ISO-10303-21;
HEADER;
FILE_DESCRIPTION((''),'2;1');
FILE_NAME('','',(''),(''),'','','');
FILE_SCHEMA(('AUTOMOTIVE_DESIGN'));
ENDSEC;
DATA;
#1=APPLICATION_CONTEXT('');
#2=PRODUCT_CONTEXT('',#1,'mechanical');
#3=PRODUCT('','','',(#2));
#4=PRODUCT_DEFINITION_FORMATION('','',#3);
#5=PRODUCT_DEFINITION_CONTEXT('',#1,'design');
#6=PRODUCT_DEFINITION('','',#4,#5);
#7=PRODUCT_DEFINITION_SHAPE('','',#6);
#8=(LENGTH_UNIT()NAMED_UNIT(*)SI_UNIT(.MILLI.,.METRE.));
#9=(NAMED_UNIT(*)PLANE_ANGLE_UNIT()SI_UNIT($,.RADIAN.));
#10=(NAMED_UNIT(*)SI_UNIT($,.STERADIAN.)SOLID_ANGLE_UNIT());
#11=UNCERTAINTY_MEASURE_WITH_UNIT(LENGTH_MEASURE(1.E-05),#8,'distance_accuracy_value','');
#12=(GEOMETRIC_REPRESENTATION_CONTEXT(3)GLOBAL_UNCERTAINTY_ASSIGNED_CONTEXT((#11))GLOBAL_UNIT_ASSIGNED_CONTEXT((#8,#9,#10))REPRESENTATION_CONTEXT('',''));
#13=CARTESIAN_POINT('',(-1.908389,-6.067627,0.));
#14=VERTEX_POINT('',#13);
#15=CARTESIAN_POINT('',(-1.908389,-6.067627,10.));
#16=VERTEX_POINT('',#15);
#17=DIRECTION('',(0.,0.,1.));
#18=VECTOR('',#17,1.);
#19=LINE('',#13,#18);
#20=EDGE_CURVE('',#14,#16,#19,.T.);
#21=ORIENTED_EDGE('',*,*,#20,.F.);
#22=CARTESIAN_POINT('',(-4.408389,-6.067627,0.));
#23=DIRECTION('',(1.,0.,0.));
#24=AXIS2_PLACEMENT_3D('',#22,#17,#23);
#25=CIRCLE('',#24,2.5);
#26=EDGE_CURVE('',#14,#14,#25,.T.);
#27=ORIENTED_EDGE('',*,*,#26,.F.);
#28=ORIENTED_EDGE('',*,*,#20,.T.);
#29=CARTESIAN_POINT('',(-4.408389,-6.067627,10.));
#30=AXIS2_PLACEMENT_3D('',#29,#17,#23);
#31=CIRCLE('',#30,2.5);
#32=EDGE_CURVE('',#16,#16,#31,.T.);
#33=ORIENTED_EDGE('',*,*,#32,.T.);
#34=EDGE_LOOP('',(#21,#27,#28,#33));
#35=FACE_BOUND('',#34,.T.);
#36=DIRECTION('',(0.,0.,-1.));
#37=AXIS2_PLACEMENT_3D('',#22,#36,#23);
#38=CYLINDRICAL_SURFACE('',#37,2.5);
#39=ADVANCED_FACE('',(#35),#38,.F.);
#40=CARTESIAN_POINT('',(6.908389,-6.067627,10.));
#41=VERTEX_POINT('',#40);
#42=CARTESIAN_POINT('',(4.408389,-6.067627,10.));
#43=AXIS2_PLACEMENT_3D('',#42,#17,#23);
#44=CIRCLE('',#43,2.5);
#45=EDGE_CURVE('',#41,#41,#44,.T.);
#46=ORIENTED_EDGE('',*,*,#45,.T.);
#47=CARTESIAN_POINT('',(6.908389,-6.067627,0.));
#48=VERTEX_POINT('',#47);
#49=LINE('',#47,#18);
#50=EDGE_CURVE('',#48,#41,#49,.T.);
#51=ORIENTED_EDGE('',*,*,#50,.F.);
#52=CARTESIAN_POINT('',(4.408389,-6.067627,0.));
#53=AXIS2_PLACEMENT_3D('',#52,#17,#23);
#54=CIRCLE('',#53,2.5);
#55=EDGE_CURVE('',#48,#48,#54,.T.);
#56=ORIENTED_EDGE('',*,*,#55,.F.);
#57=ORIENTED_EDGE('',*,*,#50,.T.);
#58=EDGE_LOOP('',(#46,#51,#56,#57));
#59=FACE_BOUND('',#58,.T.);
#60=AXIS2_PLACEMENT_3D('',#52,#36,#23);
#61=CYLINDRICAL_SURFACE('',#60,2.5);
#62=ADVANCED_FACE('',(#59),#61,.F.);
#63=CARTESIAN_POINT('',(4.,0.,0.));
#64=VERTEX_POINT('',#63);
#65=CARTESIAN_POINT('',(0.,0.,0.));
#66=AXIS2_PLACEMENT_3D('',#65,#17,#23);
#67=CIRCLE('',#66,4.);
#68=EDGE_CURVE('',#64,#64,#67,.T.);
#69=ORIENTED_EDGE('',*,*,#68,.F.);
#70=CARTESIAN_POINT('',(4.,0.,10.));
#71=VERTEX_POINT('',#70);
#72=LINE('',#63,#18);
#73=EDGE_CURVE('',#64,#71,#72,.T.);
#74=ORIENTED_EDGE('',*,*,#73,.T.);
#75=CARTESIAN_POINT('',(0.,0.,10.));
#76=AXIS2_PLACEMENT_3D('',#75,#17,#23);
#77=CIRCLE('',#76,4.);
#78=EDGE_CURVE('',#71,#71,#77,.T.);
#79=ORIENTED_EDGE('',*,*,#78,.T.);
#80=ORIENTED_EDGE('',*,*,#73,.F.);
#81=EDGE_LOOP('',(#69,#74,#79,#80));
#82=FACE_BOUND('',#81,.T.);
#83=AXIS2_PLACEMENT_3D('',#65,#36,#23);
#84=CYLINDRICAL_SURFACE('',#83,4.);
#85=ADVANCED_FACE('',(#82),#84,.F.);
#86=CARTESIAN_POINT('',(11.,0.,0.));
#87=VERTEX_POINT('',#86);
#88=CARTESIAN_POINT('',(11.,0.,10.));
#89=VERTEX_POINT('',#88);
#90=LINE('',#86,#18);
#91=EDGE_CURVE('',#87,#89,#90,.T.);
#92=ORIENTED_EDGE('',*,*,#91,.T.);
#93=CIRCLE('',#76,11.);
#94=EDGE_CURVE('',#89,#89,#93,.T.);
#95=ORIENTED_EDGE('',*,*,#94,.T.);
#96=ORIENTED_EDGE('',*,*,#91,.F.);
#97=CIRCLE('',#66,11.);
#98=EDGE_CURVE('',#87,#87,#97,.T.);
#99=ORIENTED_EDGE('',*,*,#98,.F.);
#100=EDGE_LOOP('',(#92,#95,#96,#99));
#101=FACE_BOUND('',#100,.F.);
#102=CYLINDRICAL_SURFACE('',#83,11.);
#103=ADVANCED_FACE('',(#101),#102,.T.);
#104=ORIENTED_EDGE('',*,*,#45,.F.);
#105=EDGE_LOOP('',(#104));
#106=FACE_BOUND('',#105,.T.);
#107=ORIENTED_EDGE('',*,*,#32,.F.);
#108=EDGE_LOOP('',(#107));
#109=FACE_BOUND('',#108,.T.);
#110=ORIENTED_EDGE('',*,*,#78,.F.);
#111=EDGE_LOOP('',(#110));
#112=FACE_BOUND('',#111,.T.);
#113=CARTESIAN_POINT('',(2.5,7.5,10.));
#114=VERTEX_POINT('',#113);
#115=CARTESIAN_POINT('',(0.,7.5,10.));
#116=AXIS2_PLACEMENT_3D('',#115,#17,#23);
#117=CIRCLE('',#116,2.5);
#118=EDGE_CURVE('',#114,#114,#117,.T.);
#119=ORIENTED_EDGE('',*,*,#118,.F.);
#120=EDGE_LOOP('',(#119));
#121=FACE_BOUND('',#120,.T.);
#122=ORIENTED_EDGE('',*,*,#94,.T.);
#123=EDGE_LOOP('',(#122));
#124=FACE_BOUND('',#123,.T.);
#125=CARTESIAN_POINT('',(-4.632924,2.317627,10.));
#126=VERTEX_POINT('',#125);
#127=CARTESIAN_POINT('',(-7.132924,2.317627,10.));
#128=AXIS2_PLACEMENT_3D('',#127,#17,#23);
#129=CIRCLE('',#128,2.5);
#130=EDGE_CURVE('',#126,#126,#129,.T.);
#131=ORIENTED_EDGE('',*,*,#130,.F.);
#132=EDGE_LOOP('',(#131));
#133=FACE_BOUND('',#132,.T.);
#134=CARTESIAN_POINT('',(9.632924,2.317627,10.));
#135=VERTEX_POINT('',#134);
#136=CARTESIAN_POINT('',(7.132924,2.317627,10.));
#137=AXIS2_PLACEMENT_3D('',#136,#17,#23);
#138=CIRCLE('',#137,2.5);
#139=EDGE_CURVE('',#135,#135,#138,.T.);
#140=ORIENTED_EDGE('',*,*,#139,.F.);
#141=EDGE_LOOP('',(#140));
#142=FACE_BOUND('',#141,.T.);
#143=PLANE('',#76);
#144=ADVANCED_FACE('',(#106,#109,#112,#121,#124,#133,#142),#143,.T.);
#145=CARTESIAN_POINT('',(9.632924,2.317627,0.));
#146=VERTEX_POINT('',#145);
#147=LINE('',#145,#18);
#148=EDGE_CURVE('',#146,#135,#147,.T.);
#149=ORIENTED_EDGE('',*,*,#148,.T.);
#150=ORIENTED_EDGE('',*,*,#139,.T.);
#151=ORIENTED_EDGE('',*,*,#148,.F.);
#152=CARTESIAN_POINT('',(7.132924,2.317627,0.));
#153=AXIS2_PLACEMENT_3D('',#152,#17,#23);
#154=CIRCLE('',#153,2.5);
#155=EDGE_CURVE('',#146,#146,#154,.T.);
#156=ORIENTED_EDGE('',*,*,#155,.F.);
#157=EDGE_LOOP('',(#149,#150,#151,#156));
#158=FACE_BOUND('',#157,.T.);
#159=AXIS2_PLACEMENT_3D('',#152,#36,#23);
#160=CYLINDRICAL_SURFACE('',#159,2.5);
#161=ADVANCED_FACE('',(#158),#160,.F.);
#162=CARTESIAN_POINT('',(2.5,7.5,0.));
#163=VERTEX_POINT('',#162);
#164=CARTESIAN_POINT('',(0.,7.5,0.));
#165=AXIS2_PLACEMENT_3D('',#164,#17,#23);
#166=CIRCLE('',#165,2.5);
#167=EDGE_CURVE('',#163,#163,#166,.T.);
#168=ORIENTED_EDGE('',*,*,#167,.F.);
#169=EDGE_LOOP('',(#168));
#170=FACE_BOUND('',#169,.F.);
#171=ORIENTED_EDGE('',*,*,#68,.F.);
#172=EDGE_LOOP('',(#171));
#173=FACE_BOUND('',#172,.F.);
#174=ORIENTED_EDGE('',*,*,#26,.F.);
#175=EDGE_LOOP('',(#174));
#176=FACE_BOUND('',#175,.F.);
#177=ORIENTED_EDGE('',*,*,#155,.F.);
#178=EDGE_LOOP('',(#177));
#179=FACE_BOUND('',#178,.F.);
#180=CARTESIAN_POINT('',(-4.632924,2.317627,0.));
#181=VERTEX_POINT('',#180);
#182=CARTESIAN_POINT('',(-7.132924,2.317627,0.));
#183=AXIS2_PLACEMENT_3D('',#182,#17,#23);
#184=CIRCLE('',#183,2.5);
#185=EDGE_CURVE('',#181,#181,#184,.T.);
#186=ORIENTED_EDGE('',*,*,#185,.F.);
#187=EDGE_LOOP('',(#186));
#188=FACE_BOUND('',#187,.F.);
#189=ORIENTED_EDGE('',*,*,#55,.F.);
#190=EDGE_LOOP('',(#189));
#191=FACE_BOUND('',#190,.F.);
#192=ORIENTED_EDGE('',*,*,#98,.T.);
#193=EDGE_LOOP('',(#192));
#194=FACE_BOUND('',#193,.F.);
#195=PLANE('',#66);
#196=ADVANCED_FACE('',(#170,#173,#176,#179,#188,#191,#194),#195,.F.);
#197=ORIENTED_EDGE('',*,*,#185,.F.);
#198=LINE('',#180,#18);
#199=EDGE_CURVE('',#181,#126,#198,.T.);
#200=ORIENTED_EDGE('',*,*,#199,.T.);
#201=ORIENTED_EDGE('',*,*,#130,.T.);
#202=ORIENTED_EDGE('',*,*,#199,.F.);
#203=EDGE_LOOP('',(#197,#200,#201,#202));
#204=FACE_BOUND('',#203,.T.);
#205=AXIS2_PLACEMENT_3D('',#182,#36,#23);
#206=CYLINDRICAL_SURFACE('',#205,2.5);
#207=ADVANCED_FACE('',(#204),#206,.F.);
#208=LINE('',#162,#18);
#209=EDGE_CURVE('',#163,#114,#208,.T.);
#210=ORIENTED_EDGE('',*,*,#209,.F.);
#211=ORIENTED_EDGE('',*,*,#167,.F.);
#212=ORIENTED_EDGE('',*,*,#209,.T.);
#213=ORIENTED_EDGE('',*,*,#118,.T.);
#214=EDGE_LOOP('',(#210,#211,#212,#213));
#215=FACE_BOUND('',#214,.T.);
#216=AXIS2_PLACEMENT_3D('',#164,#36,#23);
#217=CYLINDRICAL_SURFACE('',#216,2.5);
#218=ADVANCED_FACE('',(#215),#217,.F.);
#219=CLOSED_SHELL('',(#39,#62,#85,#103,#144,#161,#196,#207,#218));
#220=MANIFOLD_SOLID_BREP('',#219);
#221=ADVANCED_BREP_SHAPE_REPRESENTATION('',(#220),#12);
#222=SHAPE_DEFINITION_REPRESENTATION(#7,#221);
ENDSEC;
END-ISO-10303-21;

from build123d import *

# Parameters (mm, degrees)
F0_R     = 11
F0_R_2   = 2.5
F0_R_3   = 4
F1_DEPTH = 10


with BuildPart() as f1:
    # F0 (on Top) → F1 (new body)
    with BuildSketch(Plane.XY):
        Circle(F0_R)
        with Locations((-4.408389, -6.067627)):
            Circle(F0_R_2, mode=Mode.SUBTRACT)
        with Locations((4.408389, -6.067627)):
            Circle(F0_R_2, mode=Mode.SUBTRACT)
        with Locations((-7.132924, 2.317627)):
            Circle(F0_R_2, mode=Mode.SUBTRACT)
        Circle(F0_R_3, mode=Mode.SUBTRACT)
        with Locations((7.132924, 2.317627)):
            Circle(F0_R_2, mode=Mode.SUBTRACT)
        with Locations((0, 7.5)):
            Circle(F0_R_2, mode=Mode.SUBTRACT)
    extrude(amount=F1_DEPTH)


solid = f1.part
